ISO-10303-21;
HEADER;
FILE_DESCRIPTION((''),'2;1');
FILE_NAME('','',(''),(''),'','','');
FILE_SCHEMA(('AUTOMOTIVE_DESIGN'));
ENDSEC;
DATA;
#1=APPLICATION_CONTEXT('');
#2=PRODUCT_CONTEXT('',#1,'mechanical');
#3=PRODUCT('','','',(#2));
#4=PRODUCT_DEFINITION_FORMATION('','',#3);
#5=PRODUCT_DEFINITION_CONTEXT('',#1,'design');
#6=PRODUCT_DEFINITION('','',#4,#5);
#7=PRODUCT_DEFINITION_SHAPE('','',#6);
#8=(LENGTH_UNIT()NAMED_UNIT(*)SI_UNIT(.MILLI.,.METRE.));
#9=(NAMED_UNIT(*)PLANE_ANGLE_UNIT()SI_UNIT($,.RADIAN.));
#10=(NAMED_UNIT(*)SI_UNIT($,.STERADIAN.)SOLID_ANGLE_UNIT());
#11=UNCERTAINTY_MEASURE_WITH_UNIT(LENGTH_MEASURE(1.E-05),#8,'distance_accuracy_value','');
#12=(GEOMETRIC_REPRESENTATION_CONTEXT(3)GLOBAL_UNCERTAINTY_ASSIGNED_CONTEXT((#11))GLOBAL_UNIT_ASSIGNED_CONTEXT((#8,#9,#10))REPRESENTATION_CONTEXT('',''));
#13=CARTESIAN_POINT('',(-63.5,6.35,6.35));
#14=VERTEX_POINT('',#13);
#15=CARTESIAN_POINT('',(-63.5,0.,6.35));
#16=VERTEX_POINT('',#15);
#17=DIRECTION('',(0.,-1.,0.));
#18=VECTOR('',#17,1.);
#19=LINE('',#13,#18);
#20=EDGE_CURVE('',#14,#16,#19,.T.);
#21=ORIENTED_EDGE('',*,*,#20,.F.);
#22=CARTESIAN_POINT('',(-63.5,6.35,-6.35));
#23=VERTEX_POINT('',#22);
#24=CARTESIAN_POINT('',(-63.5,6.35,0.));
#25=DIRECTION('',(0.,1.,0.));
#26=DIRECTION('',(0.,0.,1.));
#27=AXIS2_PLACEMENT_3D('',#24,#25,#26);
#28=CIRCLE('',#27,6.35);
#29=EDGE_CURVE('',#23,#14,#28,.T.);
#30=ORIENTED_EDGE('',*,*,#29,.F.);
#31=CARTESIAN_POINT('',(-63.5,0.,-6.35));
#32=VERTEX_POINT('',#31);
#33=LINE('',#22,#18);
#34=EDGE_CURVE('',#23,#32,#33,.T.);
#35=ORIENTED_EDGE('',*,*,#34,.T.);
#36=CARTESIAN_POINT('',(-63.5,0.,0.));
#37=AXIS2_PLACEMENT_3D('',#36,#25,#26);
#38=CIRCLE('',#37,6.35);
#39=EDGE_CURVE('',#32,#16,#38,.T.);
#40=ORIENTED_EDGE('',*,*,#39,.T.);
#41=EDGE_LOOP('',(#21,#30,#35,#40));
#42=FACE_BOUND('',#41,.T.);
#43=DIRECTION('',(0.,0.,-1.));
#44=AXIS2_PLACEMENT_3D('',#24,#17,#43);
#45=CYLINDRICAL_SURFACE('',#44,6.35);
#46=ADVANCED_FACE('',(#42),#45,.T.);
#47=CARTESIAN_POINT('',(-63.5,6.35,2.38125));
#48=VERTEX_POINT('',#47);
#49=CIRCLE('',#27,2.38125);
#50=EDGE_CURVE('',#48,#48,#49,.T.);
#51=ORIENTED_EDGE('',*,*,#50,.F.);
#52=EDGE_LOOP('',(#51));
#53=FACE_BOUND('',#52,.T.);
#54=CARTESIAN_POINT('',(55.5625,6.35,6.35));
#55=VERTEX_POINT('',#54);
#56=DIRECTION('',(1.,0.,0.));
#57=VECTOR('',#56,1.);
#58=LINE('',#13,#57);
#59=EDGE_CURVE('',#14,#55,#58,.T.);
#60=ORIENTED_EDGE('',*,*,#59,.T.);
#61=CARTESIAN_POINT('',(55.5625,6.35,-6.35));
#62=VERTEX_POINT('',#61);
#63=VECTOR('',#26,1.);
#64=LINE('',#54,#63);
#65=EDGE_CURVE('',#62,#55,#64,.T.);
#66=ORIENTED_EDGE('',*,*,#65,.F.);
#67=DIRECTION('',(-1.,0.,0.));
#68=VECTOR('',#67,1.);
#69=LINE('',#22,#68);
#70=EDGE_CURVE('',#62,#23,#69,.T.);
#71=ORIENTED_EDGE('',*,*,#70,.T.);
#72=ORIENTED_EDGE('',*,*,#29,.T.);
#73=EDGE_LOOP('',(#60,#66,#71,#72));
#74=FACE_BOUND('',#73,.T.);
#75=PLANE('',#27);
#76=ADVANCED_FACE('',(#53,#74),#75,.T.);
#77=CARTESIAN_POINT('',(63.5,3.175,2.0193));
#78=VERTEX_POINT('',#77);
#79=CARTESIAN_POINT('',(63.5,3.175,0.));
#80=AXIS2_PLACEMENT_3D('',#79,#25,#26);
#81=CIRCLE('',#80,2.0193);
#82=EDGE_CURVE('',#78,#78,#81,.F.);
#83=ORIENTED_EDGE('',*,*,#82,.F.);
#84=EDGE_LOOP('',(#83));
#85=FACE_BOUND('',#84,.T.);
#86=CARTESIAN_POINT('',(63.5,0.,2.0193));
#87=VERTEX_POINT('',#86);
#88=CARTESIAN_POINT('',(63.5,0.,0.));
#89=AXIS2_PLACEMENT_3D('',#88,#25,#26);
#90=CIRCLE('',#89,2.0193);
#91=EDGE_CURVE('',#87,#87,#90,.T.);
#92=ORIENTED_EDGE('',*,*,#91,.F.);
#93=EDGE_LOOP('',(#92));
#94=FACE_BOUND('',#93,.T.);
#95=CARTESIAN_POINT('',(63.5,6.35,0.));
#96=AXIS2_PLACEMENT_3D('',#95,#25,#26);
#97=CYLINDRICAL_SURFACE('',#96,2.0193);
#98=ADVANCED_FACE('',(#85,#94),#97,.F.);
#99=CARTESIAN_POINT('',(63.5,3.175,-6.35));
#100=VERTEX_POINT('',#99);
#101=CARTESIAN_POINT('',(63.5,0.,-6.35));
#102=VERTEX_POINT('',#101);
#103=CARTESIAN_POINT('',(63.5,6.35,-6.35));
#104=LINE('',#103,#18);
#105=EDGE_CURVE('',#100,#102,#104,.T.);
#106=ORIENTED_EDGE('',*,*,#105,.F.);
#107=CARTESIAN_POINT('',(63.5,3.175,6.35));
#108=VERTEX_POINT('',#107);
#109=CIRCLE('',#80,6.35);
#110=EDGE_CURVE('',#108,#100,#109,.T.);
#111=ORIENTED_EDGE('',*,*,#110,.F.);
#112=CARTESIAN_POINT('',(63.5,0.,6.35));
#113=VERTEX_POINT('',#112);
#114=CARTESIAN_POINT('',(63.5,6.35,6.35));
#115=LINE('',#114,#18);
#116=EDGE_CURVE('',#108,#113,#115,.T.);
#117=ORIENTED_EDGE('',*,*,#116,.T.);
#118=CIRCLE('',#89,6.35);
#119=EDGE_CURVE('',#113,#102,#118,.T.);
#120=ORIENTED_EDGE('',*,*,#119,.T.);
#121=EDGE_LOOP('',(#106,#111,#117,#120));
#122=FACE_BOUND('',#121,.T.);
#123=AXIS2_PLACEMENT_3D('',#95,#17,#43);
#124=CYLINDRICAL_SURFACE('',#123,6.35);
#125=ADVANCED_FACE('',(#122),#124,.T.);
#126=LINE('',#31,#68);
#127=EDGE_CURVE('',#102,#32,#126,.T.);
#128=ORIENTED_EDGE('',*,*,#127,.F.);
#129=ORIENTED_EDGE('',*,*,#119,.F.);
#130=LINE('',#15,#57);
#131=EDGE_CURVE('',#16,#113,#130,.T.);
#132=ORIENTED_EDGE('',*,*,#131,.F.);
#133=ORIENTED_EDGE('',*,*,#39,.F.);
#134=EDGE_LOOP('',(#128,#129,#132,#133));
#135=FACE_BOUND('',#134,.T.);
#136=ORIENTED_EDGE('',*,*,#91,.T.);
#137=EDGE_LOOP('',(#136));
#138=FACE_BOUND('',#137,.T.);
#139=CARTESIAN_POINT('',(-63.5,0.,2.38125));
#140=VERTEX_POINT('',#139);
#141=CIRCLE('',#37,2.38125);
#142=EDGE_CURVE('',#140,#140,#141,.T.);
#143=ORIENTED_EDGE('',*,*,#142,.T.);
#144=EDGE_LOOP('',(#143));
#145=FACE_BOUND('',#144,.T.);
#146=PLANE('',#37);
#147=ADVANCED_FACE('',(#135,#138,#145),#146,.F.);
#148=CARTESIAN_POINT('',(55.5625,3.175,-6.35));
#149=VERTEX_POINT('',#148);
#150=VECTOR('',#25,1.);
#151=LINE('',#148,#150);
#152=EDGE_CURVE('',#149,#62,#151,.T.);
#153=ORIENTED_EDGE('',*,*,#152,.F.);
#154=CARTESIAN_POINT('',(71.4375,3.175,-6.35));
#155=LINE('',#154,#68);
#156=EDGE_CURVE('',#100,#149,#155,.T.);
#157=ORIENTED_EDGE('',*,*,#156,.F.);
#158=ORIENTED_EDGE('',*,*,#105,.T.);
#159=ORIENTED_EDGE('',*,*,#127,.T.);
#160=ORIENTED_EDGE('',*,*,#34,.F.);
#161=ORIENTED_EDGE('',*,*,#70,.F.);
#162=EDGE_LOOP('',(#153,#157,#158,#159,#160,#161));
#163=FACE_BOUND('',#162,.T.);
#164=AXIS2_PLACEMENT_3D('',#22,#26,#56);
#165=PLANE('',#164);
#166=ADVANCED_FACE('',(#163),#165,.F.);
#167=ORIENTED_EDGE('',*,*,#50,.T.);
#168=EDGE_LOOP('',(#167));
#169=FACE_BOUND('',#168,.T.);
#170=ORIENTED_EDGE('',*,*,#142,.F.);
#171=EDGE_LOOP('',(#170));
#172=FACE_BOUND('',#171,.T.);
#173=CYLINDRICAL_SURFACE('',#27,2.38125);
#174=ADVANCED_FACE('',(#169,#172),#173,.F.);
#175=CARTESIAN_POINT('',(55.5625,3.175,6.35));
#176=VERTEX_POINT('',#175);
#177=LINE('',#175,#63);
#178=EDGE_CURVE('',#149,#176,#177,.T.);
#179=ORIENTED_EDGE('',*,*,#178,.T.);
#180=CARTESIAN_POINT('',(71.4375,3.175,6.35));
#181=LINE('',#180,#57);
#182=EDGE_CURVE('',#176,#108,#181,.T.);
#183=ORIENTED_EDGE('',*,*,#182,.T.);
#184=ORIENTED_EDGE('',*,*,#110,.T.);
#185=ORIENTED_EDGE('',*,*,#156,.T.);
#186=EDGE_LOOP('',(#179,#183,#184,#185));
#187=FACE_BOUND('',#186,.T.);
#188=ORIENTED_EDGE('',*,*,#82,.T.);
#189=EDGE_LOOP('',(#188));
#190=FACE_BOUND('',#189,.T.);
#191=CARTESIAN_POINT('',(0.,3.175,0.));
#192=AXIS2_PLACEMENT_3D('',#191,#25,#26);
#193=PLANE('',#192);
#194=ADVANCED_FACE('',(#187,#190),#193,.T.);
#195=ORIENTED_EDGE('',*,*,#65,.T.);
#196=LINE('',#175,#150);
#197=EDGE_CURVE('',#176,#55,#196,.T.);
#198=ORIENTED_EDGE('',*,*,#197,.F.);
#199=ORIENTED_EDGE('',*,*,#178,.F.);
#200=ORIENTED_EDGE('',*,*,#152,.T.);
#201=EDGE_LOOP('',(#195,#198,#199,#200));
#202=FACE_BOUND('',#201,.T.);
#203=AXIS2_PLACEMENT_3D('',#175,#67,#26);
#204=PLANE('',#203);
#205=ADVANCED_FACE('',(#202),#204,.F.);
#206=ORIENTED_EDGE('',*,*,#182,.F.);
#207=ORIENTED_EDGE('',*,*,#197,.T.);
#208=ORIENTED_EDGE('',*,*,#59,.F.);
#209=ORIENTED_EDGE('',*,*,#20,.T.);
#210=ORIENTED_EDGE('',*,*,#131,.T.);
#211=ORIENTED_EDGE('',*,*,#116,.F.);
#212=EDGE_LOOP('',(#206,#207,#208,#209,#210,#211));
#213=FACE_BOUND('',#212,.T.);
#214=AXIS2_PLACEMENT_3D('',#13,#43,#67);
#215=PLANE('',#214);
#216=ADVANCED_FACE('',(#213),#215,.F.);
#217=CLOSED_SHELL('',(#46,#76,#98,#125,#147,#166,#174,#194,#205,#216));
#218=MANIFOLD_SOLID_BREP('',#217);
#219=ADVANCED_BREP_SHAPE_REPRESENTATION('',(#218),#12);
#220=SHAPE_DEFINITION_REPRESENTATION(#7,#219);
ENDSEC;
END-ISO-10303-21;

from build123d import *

# Parameters (mm, degrees)
BOSS_EXTRUDE1_DEPTH            = 6.35
F_3_16_0_1875_DIAMETER_HOLE1_D = 4.7625
F_21_0_159_DIAMETER_HOLE1_D    = 4.0386
SKETCH4_W                      = 15.875
SKETCH4_H                      = 12.7
CUT_EXTRUDE1_DEPTH             = 3.175


with BuildPart() as part:
    # Sketch1 → Boss-Extrude1 (new body)
    with BuildSketch(Plane(origin=(0, 0, 0), x_dir=(1, 0, 0), z_dir=(0, 1, 0))):
        with BuildLine():
            Line((-63.5, 6.35), (63.5, 6.35))
            ThreePointArc((63.5, 6.35), (69.85, 0), (63.5, -6.35))
            Line((63.5, -6.35), (-63.5, -6.35))
            ThreePointArc((-63.5, -6.35), (-69.85, 0), (-63.5, 6.35))
        make_face()
    extrude(amount=BOSS_EXTRUDE1_DEPTH)

    # 3/16 (0.1875) Diameter Hole1 (through all)
    with Locations(Plane(origin=(0, 6.35, 0), x_dir=(1, 0, 0), z_dir=(0, 1, 0))):
        with Locations((-63.5, 0)):
            Hole(F_3_16_0_1875_DIAMETER_HOLE1_D / 2)

    # #21 (0.159) Diameter Hole1 (through all)
    with Locations(Plane(origin=(0, 6.35, 0), x_dir=(1, 0, 0), z_dir=(0, 1, 0))):
        with Locations((63.5, 0)):
            Hole(F_21_0_159_DIAMETER_HOLE1_D / 2)

    # Sketch4 → Cut-Extrude1 (cut)
    with BuildSketch(Plane(origin=(0, 6.35, 0), x_dir=(1, 0, 0), z_dir=(0, 1, 0))):
        with Locations((63.5, 0)):
            Rectangle(SKETCH4_W, SKETCH4_H)
    extrude(amount=-CUT_EXTRUDE1_DEPTH, mode=Mode.SUBTRACT)


solid = part.part
